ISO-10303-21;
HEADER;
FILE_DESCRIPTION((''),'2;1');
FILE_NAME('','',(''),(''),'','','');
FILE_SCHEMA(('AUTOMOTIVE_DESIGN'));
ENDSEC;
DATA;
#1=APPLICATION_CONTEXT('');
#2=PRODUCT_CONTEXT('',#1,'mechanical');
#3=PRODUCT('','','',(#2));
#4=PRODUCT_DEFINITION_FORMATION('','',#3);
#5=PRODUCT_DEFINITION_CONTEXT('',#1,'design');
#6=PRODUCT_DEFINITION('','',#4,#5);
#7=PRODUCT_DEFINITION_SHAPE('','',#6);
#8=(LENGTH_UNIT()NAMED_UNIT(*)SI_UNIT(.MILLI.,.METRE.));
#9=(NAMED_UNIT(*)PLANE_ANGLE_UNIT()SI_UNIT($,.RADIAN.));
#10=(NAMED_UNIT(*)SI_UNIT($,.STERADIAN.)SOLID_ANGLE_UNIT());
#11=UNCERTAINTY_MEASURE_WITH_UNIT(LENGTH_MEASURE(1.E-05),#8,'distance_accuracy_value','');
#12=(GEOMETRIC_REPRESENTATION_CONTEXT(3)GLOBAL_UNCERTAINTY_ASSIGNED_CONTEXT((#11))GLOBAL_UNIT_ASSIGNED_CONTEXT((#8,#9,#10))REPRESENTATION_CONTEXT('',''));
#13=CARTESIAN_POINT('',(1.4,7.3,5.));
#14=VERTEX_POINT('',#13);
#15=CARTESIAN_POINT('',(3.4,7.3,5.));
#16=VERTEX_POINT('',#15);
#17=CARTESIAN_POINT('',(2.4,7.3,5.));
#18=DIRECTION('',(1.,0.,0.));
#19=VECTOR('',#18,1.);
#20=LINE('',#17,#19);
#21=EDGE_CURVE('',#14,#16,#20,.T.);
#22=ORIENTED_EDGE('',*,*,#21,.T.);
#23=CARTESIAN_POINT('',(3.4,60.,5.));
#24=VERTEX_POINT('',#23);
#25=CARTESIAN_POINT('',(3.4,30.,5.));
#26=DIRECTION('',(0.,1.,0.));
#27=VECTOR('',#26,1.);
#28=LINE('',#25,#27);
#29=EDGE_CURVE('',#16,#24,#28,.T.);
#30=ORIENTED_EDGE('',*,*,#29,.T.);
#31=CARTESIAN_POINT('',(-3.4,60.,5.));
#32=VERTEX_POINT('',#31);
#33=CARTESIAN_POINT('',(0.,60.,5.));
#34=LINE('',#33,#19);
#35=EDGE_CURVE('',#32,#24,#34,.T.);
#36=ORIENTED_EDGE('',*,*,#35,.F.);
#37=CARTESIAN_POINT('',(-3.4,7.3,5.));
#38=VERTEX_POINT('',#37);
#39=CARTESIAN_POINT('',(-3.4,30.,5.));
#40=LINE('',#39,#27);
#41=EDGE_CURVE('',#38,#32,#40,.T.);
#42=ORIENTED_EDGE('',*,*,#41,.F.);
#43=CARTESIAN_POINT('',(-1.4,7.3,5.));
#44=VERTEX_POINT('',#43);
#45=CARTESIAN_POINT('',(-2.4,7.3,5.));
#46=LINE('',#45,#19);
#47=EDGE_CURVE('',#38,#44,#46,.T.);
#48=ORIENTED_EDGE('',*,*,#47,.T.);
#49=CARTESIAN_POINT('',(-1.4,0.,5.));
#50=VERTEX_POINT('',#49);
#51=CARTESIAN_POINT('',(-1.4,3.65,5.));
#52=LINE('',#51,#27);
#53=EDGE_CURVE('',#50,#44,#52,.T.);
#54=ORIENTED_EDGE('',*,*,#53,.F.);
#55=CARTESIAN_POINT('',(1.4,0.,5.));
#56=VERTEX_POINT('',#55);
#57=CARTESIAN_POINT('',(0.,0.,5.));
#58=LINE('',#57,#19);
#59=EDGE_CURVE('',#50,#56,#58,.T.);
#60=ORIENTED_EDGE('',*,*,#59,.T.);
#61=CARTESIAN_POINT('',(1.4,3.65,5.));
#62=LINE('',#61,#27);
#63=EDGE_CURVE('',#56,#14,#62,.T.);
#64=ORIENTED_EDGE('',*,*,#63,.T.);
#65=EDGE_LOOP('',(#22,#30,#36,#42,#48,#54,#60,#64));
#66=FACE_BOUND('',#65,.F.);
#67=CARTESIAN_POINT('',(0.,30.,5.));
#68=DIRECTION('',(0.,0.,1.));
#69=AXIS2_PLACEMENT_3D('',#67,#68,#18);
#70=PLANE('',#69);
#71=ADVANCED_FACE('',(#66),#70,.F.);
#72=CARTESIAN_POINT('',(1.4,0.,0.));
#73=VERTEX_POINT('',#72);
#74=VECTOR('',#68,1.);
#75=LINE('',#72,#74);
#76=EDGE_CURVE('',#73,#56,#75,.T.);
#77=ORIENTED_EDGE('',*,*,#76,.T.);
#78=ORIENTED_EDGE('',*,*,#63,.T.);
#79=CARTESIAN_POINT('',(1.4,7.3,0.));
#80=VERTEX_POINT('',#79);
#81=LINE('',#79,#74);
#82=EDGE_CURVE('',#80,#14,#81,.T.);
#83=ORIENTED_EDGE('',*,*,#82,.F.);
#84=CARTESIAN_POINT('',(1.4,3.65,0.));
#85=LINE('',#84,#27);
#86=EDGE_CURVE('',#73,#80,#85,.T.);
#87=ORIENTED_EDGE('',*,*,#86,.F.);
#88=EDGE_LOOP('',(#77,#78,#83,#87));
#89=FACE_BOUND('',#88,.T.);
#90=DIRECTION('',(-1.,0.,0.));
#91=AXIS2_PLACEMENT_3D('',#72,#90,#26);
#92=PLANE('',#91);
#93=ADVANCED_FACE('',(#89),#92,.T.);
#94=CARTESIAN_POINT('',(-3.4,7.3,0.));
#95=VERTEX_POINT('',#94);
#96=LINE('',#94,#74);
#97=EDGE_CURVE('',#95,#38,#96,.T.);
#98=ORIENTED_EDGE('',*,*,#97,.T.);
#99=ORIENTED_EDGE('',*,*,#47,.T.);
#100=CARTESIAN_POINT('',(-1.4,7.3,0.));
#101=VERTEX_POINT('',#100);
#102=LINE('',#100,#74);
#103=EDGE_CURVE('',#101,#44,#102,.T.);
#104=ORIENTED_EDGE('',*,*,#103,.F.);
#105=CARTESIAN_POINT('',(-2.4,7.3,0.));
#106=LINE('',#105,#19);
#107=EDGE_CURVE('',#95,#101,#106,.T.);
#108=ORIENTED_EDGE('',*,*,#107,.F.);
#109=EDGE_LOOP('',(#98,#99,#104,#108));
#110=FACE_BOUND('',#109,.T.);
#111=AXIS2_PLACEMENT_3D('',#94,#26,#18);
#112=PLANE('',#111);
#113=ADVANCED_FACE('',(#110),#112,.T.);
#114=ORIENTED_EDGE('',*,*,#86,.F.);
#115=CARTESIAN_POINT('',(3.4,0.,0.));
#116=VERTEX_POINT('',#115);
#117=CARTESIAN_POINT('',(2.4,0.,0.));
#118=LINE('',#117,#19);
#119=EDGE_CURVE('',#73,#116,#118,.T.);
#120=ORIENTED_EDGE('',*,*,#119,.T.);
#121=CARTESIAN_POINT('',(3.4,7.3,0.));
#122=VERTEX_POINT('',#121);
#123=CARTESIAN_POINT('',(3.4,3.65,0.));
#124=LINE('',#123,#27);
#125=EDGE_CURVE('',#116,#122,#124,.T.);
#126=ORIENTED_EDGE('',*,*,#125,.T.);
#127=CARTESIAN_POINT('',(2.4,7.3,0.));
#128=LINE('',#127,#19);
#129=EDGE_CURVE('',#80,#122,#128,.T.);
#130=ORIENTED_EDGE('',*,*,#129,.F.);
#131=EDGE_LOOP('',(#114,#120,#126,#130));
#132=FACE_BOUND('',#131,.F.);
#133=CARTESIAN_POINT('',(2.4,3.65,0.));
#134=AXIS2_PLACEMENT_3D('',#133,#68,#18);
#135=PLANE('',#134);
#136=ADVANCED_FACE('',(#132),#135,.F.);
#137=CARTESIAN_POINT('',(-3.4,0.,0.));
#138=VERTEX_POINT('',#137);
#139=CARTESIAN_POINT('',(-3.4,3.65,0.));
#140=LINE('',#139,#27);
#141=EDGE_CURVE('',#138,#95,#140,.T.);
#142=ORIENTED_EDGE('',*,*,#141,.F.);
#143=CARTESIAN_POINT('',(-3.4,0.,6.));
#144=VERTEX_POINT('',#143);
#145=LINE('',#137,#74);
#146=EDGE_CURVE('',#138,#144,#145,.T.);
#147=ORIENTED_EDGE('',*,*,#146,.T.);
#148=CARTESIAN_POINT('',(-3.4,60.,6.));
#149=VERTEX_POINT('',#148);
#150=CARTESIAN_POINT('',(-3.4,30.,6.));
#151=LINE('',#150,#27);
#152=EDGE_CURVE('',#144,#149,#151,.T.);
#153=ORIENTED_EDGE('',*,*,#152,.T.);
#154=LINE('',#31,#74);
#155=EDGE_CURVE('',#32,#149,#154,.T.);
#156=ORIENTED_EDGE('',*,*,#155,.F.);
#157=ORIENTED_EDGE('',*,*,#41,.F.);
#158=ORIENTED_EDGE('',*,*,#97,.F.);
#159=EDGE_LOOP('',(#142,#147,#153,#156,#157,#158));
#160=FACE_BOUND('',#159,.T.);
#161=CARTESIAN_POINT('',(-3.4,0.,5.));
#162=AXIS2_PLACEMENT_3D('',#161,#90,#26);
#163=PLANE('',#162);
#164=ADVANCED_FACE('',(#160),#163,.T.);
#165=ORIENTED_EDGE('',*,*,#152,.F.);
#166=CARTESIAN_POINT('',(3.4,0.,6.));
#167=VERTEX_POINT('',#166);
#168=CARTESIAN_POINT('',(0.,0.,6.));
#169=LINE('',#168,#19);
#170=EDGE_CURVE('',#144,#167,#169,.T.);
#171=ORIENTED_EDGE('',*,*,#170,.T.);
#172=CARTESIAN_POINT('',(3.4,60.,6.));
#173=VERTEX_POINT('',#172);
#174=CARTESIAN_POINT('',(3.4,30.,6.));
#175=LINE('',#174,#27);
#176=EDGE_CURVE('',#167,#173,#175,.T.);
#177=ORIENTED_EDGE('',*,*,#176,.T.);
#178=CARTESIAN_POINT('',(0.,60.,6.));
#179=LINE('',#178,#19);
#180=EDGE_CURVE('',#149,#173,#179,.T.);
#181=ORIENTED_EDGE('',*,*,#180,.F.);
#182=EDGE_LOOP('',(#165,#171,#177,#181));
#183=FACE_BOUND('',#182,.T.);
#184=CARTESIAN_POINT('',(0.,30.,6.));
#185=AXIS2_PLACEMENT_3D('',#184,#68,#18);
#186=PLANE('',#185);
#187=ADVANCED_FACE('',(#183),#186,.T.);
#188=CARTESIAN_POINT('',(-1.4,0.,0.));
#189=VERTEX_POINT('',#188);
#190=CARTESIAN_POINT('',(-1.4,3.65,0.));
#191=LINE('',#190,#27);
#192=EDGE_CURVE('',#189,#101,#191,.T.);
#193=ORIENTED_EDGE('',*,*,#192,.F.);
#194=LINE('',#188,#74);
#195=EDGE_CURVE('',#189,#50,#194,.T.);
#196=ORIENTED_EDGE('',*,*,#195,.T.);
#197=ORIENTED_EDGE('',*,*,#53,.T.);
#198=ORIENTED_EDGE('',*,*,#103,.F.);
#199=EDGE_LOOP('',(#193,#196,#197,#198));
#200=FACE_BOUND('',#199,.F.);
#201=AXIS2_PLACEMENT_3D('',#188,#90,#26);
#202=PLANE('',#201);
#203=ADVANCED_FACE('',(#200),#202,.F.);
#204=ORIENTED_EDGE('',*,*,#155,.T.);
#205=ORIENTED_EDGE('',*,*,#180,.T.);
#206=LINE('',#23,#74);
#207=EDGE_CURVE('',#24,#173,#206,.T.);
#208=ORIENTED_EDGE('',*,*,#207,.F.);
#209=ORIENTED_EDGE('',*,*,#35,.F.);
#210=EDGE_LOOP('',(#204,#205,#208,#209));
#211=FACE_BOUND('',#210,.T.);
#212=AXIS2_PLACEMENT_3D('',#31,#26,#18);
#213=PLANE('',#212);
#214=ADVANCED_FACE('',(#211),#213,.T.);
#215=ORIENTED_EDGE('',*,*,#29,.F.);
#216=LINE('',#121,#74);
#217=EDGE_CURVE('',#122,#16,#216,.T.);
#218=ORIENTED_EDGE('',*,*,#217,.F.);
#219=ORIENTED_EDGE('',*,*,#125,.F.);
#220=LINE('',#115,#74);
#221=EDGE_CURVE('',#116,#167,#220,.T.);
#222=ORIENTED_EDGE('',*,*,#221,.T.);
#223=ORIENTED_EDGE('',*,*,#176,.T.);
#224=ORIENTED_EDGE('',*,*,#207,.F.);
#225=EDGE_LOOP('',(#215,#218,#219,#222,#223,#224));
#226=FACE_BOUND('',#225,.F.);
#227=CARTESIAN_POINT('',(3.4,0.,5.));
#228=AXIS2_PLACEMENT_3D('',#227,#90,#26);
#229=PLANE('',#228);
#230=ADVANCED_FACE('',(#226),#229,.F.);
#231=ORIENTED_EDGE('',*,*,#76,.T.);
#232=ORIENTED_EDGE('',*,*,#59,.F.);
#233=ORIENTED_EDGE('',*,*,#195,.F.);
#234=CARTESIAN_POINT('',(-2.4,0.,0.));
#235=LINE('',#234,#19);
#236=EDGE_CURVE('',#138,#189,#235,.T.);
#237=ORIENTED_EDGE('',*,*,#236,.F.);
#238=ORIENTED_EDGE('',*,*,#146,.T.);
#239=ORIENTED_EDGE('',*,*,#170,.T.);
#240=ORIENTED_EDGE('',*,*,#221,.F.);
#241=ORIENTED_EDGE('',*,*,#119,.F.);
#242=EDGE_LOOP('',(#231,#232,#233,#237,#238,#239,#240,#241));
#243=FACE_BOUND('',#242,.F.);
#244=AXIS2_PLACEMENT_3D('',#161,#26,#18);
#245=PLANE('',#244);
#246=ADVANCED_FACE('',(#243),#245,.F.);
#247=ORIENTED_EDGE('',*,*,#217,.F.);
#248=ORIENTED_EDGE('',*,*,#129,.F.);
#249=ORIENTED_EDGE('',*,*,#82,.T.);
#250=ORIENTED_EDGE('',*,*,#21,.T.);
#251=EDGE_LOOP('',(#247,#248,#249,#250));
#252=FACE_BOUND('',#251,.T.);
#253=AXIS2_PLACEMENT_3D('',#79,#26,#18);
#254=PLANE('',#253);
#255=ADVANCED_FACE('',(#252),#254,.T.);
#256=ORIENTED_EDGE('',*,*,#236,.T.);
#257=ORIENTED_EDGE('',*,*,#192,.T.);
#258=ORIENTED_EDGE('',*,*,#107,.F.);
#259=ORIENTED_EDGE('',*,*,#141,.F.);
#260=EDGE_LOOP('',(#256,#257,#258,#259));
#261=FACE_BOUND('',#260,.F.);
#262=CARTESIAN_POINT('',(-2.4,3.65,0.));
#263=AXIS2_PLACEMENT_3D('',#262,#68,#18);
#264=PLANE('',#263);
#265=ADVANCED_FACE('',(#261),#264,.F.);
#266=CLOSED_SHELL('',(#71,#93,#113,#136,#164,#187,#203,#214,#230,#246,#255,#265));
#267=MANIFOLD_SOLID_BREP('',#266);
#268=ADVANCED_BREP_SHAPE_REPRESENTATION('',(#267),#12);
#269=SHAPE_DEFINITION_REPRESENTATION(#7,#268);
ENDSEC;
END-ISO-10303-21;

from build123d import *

# Parameters (mm, degrees)
F0_W     = 2
F0_H     = 7.3
F1_DEPTH = 5
F2_W     = 6.8
F2_H     = 60
F3_DEPTH = 1


with BuildPart() as f1:
    # F0 (on Top) → F1 (new body)
    with BuildSketch(Plane.XY):
        with Locations((-2.4, 3.65)):
            Rectangle(F0_W, F0_H)
    extrude(amount=F1_DEPTH)



with BuildPart() as f1b:
    # F0 (on Top) → F1, piece 2 (new body)
    with BuildSketch(Plane.XY):
        with Locations((2.4, 3.65)):
            Rectangle(F0_W, F0_H)
    extrude(amount=F1_DEPTH)


with BuildPart() as f1_1:
    add(f1.part)

    add(f1b.part)  # F3 merges F1b
    # F2 (on face) → F3 (join)
    with BuildSketch(Plane.XY.offset(5)):
        with Locations((0, 30)):
            Rectangle(F2_W, F2_H)
    extrude(amount=F3_DEPTH)


solid = f1_1.part
